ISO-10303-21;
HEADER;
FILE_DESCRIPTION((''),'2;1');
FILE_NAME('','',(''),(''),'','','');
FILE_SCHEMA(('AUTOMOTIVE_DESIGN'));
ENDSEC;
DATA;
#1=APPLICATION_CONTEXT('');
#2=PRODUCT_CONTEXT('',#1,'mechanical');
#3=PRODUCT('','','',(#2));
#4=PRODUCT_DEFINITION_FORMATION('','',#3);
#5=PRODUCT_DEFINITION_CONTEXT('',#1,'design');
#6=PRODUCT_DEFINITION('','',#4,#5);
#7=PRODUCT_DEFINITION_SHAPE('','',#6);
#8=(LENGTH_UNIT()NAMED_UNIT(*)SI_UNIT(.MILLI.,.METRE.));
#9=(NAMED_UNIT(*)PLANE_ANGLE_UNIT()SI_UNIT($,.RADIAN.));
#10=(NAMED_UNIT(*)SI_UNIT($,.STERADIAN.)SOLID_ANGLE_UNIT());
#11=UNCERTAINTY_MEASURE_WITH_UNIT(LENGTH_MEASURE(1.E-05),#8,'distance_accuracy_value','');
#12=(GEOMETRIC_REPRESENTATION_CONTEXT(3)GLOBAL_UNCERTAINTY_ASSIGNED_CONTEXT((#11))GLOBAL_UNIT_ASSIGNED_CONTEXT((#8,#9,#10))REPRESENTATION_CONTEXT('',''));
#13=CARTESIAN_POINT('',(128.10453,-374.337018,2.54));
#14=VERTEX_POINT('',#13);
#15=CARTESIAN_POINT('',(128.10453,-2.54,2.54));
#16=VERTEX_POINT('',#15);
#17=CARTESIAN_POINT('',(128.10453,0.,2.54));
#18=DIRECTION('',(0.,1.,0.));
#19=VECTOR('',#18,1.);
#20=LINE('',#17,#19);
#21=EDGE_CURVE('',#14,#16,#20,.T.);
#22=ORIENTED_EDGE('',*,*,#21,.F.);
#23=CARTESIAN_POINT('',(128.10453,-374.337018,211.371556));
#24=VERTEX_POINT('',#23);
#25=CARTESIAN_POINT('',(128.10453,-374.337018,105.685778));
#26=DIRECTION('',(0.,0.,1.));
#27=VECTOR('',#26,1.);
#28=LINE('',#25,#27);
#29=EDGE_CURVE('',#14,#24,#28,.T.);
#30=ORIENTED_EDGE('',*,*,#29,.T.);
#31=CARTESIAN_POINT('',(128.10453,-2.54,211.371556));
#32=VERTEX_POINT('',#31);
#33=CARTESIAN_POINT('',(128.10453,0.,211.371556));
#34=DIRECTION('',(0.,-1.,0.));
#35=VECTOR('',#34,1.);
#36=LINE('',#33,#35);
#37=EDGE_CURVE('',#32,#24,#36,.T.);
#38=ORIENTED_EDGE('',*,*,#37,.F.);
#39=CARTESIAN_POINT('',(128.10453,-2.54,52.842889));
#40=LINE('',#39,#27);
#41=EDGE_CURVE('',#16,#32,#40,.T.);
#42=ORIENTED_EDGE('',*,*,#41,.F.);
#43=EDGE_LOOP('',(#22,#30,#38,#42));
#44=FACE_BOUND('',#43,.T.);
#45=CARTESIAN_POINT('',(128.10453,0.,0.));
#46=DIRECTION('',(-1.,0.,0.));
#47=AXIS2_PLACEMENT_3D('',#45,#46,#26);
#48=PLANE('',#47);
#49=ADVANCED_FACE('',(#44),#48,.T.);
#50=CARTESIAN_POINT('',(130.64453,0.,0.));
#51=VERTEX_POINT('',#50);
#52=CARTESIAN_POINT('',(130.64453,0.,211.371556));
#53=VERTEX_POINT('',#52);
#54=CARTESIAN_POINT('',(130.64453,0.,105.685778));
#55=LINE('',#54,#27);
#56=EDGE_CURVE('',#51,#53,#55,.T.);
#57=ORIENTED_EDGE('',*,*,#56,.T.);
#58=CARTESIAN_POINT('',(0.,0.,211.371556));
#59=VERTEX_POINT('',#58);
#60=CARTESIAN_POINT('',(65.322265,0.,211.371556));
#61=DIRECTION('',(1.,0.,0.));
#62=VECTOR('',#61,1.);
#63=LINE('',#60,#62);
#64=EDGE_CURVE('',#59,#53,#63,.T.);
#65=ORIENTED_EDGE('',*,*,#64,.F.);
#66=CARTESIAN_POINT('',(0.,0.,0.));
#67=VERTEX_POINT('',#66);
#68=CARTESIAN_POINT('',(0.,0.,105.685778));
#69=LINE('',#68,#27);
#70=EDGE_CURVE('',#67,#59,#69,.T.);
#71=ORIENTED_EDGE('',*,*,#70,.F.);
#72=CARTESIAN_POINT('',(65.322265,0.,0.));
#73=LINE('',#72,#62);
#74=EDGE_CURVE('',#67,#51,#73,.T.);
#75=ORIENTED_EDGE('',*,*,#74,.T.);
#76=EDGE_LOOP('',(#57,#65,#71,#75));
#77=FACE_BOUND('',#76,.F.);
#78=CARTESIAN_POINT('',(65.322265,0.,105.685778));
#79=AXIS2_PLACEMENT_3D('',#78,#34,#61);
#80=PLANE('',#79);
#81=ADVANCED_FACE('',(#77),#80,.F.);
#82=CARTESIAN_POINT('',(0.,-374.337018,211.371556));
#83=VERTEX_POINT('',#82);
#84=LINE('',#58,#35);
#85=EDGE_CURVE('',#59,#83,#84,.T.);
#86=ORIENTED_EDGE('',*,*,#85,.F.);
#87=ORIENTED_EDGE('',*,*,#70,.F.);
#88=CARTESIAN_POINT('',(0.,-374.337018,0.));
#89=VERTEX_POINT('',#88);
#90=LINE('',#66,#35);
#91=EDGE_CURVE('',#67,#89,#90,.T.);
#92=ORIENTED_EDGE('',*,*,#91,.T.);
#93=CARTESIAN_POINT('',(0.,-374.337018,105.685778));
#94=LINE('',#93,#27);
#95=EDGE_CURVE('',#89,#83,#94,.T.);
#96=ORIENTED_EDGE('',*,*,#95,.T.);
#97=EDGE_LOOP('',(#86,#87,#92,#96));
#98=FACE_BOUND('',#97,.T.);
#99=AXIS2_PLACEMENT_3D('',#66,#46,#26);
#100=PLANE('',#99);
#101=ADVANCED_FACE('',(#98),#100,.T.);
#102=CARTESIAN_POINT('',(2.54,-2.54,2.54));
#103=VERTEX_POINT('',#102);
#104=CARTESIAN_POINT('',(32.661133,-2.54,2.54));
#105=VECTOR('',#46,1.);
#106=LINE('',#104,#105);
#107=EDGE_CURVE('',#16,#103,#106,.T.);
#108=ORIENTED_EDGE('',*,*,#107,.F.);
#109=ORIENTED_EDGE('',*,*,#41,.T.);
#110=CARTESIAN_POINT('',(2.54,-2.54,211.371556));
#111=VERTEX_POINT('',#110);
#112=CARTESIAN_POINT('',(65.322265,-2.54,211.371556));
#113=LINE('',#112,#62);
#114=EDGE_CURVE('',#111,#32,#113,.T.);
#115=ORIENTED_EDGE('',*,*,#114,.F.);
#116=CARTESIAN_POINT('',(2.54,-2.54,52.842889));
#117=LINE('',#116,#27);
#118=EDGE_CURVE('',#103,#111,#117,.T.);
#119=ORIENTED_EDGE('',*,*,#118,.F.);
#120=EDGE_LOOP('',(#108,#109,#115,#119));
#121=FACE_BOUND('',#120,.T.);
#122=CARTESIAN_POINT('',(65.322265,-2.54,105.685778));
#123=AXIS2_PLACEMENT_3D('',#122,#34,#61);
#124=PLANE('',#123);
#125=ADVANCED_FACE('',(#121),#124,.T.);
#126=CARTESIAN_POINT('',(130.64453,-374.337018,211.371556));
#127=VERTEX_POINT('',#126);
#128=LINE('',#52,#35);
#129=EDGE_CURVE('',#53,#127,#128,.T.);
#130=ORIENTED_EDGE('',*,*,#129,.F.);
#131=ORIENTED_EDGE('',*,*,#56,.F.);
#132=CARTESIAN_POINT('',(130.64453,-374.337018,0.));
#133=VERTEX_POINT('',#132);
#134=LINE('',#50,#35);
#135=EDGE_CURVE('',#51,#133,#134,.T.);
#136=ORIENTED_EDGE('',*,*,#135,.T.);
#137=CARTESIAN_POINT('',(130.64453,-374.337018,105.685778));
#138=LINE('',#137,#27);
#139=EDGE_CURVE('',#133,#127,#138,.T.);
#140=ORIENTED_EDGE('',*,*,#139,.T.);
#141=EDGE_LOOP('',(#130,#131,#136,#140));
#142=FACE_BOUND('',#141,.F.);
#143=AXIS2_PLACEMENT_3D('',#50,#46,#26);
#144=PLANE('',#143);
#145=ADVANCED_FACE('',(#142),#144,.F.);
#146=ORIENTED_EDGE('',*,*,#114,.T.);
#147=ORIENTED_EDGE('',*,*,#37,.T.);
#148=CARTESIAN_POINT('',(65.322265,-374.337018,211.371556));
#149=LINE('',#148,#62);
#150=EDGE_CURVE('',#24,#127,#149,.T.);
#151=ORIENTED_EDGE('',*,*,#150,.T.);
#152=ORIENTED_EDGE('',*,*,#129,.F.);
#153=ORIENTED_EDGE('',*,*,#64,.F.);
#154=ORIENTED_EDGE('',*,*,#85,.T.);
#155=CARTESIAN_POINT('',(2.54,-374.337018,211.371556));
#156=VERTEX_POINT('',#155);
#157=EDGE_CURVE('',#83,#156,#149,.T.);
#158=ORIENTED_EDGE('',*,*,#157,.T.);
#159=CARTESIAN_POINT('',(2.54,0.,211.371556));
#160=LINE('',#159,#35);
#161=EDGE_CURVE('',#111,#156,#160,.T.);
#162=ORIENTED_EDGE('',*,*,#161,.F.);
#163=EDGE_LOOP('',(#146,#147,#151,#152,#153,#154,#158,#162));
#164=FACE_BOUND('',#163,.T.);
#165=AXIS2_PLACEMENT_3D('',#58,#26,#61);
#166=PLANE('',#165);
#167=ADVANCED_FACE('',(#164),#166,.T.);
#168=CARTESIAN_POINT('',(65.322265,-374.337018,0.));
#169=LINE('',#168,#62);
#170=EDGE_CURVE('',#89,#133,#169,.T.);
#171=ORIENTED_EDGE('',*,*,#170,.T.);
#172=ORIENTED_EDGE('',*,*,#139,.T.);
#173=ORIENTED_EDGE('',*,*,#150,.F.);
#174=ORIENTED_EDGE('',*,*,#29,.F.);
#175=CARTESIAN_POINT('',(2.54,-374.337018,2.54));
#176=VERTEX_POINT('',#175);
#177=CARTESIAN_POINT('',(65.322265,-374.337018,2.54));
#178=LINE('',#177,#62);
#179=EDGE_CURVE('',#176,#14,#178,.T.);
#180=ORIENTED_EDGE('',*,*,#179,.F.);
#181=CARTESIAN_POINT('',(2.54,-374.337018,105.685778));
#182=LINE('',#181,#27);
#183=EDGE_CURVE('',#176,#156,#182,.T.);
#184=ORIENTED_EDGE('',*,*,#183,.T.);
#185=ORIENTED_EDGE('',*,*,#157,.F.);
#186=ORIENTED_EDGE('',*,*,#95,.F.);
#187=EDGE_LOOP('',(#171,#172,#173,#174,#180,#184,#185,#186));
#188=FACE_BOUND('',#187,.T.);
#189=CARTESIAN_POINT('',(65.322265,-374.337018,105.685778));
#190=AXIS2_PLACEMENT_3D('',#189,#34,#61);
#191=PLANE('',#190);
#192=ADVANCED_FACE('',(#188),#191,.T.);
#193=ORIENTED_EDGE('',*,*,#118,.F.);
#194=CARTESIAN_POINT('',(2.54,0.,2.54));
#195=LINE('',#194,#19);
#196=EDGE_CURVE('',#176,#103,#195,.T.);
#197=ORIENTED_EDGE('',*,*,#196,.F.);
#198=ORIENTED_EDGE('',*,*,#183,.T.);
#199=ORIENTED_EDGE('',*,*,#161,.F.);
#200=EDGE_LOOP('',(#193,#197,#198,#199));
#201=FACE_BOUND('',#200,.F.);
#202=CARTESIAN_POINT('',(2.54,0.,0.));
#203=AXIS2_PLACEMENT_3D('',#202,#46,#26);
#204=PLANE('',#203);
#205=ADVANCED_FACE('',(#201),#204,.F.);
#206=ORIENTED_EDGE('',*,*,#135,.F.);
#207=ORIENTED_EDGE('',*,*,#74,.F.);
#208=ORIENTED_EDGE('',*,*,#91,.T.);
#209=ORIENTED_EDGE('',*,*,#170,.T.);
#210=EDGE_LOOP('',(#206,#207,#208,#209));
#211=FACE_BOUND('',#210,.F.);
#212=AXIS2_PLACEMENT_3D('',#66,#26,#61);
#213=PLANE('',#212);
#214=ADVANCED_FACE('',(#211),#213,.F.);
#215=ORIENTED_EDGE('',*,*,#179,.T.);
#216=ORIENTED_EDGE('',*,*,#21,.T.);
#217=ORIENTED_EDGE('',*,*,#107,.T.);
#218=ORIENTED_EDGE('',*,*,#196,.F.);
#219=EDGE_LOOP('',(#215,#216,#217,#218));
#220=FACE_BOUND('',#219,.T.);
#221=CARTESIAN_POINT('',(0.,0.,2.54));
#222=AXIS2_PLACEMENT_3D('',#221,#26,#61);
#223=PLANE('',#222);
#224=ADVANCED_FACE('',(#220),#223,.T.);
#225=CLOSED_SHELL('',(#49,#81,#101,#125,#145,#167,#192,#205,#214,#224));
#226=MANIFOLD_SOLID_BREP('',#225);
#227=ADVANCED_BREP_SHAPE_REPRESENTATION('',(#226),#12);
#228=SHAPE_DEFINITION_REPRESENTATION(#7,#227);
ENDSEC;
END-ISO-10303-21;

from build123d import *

# Parameters (mm, degrees)
F0_W     = 130.64453
F0_H     = 211.371556
F1_DEPTH = 374.337018
F2_T     = -2.54


with BuildPart() as f1:
    # F0 (on Front) → F1 (new body)
    with BuildSketch(Plane.XZ):
        with Locations((65.322265, 105.685778)):
            Rectangle(F0_W, F0_H)
    extrude(amount=F1_DEPTH)

    # F2
    f2_openings = [f1.faces().sort_by_distance(p)[0] for p in [
        (65.322265, -374.337018, 105.685778),
        (65.322265, -187.168509, 211.371556),
    ]]
    offset(amount=F2_T, openings=f2_openings)


solid = f1.part
